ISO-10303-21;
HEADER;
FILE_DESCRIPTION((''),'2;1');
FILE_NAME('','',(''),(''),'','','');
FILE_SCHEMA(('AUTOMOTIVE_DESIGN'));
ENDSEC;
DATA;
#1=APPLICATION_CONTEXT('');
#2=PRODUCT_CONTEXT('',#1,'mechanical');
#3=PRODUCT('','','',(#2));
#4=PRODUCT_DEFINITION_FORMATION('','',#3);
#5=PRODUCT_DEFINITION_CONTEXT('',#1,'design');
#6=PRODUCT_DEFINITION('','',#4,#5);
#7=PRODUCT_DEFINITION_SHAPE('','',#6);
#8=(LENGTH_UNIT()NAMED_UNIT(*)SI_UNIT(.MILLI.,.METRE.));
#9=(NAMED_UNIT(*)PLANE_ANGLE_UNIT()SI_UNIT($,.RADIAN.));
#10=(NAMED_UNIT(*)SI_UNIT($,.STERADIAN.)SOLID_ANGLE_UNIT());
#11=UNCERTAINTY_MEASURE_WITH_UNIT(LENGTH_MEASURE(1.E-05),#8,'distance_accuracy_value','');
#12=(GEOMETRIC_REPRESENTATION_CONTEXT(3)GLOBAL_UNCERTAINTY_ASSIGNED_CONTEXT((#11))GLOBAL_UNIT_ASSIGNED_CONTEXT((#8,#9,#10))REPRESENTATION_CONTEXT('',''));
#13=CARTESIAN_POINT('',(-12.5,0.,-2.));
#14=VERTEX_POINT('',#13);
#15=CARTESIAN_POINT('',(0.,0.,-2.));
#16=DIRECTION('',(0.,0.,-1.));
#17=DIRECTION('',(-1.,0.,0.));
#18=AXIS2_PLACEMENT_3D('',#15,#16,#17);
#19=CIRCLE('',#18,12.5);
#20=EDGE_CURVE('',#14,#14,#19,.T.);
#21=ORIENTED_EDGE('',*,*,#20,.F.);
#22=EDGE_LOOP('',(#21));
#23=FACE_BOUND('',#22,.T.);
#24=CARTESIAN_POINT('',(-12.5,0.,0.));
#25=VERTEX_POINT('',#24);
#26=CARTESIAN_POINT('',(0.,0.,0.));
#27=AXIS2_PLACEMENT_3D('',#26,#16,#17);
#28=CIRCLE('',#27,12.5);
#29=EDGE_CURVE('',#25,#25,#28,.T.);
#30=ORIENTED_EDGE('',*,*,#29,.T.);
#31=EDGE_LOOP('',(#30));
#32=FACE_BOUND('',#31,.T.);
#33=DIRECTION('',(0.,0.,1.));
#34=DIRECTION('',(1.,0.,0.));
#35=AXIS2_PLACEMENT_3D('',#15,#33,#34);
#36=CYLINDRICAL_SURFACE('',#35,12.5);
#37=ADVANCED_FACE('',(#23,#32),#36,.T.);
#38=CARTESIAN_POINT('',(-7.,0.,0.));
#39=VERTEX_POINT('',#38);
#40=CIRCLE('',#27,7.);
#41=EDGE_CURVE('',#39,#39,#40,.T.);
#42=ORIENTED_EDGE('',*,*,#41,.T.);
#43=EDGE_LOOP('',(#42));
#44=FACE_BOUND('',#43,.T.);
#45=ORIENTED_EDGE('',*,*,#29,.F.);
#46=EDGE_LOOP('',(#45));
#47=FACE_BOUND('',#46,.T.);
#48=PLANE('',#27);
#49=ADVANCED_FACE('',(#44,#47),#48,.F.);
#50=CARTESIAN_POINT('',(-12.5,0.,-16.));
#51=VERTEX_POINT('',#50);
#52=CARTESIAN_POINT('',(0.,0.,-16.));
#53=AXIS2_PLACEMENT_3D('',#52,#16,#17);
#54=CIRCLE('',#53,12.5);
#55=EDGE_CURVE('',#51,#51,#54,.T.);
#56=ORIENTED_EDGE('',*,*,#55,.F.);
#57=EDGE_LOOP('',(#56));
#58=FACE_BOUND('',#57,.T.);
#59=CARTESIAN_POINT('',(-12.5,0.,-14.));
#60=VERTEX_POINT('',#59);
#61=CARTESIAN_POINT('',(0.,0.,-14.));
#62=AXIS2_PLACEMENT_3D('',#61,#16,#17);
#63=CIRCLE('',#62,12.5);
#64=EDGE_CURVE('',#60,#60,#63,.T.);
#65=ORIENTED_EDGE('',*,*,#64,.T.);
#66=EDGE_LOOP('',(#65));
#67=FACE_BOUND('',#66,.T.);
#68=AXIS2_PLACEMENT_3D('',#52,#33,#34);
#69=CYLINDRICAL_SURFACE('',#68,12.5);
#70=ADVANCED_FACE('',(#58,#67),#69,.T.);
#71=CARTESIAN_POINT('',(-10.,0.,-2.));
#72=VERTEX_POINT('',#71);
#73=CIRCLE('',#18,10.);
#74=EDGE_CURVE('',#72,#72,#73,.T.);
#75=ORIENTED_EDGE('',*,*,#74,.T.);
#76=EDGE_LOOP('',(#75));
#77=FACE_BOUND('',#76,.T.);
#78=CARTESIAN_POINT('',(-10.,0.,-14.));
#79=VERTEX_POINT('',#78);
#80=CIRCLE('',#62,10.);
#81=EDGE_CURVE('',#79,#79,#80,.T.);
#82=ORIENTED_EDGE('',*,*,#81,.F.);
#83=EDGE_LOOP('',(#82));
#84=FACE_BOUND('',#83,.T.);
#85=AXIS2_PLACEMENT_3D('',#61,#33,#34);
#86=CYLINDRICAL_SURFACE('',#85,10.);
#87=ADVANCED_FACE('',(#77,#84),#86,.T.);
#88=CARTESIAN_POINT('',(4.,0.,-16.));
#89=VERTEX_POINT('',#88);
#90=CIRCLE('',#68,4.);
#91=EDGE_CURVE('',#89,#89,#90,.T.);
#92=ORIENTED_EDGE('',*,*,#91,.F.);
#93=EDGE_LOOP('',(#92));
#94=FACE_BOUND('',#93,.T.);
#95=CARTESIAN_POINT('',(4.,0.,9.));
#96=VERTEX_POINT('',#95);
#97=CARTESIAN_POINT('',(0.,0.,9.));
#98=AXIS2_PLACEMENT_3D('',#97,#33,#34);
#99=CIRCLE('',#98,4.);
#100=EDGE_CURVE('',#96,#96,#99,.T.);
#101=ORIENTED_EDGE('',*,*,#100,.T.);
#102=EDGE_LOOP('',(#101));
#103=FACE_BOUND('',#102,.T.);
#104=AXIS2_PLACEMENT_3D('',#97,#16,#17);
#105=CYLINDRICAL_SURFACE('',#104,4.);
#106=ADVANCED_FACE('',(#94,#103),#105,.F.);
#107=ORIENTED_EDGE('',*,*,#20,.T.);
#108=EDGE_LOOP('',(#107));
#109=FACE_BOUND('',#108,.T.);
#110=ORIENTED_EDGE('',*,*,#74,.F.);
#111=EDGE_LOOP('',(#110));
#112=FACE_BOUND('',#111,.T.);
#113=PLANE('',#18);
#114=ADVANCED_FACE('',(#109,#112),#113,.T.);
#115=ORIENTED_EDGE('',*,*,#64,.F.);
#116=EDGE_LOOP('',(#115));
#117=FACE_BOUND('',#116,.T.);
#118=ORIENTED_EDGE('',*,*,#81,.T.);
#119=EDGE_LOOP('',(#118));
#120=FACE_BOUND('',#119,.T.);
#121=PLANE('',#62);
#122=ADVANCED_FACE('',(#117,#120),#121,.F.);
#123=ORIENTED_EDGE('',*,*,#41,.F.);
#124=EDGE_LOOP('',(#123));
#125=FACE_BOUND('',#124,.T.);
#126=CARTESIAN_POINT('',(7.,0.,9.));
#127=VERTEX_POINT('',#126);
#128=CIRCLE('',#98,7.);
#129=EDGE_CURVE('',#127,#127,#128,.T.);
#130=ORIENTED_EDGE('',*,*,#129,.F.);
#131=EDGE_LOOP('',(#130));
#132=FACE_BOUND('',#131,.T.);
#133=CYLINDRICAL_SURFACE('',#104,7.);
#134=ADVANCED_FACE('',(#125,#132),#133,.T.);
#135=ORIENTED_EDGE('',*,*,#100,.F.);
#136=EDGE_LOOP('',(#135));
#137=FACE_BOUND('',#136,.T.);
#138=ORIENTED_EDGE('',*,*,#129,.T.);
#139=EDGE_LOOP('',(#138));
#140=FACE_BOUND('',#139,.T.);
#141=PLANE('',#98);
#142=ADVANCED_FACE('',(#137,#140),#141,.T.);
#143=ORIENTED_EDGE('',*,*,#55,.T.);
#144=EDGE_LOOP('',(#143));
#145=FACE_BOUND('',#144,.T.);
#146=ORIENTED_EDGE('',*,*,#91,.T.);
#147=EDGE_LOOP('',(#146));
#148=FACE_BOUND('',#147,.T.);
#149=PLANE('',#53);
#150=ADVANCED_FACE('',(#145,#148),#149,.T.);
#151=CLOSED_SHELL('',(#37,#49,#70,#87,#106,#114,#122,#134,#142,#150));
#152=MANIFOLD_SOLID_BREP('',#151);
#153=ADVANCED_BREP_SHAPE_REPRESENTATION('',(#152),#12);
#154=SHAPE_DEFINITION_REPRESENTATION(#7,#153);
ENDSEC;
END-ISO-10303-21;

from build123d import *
from build123d.topology import SkipClean

# Parameters (mm, degrees)
SKETCH_1_R          = 7
SKETCH_1_R_2        = 4
EXTRUDE_1_DEPTH     = 9
EXTRUDE_START       = 2
SKETCH_2_R          = 12.5
SKETCH_2_R_2        = 4
EXTRUDE_2_DEPTH     = 2
SKETCH_3_R          = 10
EXTRUDE_3_DEPTH     = 12
SKETCH_4_R          = 12.5
EXTRUDE_4_DEPTH     = 2
SKETCH_5_R          = 4
CUT_EXTRUDE_1_DEPTH = 31.618621785


with BuildPart() as part:
    # 草图1 → 拉伸1 (new body)
    with BuildSketch(Plane.XY):
        Circle(SKETCH_1_R)
        Circle(SKETCH_1_R_2, mode=Mode.SUBTRACT)
    extrude(amount=EXTRUDE_1_DEPTH)

    # 草图2 → 拉伸2 (add)
    with SkipClean():  # the faces are left unmerged after this step: merging them gives an invalid solid
        with BuildSketch(Plane(origin=(0, 0, 0), x_dir=(-1, 0, 0), z_dir=(0, 0, -1)).offset(EXTRUDE_START)):
            Circle(SKETCH_2_R)
            Circle(SKETCH_2_R_2, mode=Mode.SUBTRACT)
        extrude(amount=-EXTRUDE_2_DEPTH)

    # 草图3 → 拉伸3 (add)
    with SkipClean():  # the faces are left unmerged after this step: merging them gives an invalid solid
        with BuildSketch(Plane(origin=(0, 0, -2), x_dir=(-1, 0, 0), z_dir=(0, 0, -1))):
            Circle(SKETCH_3_R)
        extrude(amount=EXTRUDE_3_DEPTH)

    # 草图4 → 拉伸4 (add)
    with SkipClean():  # the faces are left unmerged after this step: merging them gives an invalid solid
        with BuildSketch(Plane(origin=(0, 0, -14), x_dir=(-1, 0, 0), z_dir=(0, 0, -1)).offset(EXTRUDE_START)):
            Circle(SKETCH_4_R)
        extrude(amount=-EXTRUDE_4_DEPTH)

    # 草图5 → 切除-拉伸1 (cut, through all)
    with SkipClean():  # the faces are left unmerged after this step: merging them gives an invalid solid
        with BuildSketch(Plane.XY.offset(9)):
            Circle(SKETCH_5_R)
        extrude(amount=-CUT_EXTRUDE_1_DEPTH, mode=Mode.SUBTRACT)


solid = part.part
